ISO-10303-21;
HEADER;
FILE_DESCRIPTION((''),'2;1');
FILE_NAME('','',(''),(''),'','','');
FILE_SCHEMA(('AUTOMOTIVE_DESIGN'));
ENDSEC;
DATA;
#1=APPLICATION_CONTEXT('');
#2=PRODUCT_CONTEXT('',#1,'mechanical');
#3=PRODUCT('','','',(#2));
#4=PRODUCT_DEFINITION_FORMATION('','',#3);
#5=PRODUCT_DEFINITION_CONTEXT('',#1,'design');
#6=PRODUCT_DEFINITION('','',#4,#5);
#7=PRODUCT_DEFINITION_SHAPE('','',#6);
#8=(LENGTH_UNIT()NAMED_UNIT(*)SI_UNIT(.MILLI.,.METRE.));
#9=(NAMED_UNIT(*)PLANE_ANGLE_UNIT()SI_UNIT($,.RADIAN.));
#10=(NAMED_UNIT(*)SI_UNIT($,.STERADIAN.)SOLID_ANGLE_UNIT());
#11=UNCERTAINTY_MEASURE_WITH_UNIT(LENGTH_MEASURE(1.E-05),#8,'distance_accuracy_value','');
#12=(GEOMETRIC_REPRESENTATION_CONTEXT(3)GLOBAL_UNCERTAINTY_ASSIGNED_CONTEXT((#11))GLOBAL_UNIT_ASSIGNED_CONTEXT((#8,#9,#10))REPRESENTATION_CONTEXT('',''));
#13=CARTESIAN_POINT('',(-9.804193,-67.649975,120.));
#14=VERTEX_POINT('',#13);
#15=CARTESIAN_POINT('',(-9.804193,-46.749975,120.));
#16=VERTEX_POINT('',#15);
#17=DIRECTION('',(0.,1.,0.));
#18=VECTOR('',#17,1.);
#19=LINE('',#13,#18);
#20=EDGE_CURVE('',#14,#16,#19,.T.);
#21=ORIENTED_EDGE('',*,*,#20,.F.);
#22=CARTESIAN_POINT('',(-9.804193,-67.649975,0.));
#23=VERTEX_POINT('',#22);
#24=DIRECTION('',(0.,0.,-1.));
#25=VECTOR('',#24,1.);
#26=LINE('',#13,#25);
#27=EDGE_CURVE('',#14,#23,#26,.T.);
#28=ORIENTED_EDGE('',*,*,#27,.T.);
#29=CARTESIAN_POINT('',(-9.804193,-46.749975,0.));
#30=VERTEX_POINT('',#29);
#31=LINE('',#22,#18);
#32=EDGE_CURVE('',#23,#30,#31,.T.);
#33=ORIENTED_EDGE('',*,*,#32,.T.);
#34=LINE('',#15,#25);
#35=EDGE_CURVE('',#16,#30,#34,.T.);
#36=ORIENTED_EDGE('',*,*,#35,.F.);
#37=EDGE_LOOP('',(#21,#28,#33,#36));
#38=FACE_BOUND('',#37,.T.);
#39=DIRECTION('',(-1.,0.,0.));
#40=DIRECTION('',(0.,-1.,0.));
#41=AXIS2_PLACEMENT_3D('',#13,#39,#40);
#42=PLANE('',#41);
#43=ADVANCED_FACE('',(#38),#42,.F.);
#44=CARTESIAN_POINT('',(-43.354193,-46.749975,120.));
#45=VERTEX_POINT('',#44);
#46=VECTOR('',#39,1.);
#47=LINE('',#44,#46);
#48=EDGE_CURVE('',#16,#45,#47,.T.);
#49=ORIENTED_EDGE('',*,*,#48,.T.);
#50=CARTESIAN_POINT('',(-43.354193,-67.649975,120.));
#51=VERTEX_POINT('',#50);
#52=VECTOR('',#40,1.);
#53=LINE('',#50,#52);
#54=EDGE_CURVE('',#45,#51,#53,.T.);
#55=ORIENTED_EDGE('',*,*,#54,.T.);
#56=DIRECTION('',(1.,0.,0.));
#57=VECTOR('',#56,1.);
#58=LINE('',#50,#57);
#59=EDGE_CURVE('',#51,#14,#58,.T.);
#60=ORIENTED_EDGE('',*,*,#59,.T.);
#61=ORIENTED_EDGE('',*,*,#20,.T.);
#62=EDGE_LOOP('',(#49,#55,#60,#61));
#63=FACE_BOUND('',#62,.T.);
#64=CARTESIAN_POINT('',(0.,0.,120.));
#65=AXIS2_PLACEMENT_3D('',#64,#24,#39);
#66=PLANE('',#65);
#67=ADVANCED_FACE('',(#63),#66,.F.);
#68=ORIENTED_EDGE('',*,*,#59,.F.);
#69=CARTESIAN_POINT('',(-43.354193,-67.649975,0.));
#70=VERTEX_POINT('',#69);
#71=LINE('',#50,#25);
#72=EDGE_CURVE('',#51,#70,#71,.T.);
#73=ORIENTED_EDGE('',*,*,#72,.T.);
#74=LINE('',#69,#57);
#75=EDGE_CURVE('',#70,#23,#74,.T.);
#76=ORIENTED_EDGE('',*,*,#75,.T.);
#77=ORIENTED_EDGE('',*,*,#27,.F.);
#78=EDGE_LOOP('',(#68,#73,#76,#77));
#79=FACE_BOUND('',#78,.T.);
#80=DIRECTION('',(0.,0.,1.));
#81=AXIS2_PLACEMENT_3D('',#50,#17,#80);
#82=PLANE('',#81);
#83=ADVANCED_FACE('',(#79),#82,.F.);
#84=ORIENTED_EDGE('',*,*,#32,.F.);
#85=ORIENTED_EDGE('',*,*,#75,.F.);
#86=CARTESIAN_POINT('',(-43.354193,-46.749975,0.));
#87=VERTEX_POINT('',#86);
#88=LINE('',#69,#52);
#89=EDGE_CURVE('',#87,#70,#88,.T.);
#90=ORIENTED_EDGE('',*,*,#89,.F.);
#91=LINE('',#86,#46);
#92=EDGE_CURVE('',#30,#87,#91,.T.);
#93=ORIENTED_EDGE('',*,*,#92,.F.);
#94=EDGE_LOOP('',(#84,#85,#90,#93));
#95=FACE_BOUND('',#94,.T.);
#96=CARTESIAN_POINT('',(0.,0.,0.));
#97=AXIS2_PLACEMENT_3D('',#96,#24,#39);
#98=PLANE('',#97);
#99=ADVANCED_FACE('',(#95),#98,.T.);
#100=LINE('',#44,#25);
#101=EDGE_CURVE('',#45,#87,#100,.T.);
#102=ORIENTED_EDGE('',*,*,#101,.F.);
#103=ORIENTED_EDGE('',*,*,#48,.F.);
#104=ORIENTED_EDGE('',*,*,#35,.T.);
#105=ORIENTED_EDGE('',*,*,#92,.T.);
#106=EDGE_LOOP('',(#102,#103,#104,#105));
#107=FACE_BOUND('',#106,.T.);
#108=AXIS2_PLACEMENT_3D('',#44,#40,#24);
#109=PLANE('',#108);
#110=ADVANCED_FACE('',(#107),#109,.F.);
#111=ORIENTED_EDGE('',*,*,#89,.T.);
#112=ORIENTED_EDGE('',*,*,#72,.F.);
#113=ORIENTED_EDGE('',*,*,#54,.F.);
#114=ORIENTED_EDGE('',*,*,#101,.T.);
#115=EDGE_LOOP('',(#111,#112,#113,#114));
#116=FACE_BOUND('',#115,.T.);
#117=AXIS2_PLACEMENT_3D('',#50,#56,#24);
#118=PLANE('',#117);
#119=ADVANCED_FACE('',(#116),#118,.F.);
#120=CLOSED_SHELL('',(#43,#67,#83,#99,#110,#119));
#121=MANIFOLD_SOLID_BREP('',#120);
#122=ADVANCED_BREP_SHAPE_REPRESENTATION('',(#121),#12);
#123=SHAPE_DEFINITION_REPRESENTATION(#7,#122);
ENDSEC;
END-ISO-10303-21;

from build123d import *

# Parameters (mm, degrees)
SKETCH_1_W      = 33.55
SKETCH_1_H      = 20.9
EXTRUDE_1_DEPTH = 120


with BuildPart() as part:
    # 스케치1 → 보스-돌출1 (new body)
    with BuildSketch(Plane.XY):
        with Locations((-26.57919302, -57.199975)):
            Rectangle(SKETCH_1_W, SKETCH_1_H)
    extrude(amount=EXTRUDE_1_DEPTH)


solid = part.part
